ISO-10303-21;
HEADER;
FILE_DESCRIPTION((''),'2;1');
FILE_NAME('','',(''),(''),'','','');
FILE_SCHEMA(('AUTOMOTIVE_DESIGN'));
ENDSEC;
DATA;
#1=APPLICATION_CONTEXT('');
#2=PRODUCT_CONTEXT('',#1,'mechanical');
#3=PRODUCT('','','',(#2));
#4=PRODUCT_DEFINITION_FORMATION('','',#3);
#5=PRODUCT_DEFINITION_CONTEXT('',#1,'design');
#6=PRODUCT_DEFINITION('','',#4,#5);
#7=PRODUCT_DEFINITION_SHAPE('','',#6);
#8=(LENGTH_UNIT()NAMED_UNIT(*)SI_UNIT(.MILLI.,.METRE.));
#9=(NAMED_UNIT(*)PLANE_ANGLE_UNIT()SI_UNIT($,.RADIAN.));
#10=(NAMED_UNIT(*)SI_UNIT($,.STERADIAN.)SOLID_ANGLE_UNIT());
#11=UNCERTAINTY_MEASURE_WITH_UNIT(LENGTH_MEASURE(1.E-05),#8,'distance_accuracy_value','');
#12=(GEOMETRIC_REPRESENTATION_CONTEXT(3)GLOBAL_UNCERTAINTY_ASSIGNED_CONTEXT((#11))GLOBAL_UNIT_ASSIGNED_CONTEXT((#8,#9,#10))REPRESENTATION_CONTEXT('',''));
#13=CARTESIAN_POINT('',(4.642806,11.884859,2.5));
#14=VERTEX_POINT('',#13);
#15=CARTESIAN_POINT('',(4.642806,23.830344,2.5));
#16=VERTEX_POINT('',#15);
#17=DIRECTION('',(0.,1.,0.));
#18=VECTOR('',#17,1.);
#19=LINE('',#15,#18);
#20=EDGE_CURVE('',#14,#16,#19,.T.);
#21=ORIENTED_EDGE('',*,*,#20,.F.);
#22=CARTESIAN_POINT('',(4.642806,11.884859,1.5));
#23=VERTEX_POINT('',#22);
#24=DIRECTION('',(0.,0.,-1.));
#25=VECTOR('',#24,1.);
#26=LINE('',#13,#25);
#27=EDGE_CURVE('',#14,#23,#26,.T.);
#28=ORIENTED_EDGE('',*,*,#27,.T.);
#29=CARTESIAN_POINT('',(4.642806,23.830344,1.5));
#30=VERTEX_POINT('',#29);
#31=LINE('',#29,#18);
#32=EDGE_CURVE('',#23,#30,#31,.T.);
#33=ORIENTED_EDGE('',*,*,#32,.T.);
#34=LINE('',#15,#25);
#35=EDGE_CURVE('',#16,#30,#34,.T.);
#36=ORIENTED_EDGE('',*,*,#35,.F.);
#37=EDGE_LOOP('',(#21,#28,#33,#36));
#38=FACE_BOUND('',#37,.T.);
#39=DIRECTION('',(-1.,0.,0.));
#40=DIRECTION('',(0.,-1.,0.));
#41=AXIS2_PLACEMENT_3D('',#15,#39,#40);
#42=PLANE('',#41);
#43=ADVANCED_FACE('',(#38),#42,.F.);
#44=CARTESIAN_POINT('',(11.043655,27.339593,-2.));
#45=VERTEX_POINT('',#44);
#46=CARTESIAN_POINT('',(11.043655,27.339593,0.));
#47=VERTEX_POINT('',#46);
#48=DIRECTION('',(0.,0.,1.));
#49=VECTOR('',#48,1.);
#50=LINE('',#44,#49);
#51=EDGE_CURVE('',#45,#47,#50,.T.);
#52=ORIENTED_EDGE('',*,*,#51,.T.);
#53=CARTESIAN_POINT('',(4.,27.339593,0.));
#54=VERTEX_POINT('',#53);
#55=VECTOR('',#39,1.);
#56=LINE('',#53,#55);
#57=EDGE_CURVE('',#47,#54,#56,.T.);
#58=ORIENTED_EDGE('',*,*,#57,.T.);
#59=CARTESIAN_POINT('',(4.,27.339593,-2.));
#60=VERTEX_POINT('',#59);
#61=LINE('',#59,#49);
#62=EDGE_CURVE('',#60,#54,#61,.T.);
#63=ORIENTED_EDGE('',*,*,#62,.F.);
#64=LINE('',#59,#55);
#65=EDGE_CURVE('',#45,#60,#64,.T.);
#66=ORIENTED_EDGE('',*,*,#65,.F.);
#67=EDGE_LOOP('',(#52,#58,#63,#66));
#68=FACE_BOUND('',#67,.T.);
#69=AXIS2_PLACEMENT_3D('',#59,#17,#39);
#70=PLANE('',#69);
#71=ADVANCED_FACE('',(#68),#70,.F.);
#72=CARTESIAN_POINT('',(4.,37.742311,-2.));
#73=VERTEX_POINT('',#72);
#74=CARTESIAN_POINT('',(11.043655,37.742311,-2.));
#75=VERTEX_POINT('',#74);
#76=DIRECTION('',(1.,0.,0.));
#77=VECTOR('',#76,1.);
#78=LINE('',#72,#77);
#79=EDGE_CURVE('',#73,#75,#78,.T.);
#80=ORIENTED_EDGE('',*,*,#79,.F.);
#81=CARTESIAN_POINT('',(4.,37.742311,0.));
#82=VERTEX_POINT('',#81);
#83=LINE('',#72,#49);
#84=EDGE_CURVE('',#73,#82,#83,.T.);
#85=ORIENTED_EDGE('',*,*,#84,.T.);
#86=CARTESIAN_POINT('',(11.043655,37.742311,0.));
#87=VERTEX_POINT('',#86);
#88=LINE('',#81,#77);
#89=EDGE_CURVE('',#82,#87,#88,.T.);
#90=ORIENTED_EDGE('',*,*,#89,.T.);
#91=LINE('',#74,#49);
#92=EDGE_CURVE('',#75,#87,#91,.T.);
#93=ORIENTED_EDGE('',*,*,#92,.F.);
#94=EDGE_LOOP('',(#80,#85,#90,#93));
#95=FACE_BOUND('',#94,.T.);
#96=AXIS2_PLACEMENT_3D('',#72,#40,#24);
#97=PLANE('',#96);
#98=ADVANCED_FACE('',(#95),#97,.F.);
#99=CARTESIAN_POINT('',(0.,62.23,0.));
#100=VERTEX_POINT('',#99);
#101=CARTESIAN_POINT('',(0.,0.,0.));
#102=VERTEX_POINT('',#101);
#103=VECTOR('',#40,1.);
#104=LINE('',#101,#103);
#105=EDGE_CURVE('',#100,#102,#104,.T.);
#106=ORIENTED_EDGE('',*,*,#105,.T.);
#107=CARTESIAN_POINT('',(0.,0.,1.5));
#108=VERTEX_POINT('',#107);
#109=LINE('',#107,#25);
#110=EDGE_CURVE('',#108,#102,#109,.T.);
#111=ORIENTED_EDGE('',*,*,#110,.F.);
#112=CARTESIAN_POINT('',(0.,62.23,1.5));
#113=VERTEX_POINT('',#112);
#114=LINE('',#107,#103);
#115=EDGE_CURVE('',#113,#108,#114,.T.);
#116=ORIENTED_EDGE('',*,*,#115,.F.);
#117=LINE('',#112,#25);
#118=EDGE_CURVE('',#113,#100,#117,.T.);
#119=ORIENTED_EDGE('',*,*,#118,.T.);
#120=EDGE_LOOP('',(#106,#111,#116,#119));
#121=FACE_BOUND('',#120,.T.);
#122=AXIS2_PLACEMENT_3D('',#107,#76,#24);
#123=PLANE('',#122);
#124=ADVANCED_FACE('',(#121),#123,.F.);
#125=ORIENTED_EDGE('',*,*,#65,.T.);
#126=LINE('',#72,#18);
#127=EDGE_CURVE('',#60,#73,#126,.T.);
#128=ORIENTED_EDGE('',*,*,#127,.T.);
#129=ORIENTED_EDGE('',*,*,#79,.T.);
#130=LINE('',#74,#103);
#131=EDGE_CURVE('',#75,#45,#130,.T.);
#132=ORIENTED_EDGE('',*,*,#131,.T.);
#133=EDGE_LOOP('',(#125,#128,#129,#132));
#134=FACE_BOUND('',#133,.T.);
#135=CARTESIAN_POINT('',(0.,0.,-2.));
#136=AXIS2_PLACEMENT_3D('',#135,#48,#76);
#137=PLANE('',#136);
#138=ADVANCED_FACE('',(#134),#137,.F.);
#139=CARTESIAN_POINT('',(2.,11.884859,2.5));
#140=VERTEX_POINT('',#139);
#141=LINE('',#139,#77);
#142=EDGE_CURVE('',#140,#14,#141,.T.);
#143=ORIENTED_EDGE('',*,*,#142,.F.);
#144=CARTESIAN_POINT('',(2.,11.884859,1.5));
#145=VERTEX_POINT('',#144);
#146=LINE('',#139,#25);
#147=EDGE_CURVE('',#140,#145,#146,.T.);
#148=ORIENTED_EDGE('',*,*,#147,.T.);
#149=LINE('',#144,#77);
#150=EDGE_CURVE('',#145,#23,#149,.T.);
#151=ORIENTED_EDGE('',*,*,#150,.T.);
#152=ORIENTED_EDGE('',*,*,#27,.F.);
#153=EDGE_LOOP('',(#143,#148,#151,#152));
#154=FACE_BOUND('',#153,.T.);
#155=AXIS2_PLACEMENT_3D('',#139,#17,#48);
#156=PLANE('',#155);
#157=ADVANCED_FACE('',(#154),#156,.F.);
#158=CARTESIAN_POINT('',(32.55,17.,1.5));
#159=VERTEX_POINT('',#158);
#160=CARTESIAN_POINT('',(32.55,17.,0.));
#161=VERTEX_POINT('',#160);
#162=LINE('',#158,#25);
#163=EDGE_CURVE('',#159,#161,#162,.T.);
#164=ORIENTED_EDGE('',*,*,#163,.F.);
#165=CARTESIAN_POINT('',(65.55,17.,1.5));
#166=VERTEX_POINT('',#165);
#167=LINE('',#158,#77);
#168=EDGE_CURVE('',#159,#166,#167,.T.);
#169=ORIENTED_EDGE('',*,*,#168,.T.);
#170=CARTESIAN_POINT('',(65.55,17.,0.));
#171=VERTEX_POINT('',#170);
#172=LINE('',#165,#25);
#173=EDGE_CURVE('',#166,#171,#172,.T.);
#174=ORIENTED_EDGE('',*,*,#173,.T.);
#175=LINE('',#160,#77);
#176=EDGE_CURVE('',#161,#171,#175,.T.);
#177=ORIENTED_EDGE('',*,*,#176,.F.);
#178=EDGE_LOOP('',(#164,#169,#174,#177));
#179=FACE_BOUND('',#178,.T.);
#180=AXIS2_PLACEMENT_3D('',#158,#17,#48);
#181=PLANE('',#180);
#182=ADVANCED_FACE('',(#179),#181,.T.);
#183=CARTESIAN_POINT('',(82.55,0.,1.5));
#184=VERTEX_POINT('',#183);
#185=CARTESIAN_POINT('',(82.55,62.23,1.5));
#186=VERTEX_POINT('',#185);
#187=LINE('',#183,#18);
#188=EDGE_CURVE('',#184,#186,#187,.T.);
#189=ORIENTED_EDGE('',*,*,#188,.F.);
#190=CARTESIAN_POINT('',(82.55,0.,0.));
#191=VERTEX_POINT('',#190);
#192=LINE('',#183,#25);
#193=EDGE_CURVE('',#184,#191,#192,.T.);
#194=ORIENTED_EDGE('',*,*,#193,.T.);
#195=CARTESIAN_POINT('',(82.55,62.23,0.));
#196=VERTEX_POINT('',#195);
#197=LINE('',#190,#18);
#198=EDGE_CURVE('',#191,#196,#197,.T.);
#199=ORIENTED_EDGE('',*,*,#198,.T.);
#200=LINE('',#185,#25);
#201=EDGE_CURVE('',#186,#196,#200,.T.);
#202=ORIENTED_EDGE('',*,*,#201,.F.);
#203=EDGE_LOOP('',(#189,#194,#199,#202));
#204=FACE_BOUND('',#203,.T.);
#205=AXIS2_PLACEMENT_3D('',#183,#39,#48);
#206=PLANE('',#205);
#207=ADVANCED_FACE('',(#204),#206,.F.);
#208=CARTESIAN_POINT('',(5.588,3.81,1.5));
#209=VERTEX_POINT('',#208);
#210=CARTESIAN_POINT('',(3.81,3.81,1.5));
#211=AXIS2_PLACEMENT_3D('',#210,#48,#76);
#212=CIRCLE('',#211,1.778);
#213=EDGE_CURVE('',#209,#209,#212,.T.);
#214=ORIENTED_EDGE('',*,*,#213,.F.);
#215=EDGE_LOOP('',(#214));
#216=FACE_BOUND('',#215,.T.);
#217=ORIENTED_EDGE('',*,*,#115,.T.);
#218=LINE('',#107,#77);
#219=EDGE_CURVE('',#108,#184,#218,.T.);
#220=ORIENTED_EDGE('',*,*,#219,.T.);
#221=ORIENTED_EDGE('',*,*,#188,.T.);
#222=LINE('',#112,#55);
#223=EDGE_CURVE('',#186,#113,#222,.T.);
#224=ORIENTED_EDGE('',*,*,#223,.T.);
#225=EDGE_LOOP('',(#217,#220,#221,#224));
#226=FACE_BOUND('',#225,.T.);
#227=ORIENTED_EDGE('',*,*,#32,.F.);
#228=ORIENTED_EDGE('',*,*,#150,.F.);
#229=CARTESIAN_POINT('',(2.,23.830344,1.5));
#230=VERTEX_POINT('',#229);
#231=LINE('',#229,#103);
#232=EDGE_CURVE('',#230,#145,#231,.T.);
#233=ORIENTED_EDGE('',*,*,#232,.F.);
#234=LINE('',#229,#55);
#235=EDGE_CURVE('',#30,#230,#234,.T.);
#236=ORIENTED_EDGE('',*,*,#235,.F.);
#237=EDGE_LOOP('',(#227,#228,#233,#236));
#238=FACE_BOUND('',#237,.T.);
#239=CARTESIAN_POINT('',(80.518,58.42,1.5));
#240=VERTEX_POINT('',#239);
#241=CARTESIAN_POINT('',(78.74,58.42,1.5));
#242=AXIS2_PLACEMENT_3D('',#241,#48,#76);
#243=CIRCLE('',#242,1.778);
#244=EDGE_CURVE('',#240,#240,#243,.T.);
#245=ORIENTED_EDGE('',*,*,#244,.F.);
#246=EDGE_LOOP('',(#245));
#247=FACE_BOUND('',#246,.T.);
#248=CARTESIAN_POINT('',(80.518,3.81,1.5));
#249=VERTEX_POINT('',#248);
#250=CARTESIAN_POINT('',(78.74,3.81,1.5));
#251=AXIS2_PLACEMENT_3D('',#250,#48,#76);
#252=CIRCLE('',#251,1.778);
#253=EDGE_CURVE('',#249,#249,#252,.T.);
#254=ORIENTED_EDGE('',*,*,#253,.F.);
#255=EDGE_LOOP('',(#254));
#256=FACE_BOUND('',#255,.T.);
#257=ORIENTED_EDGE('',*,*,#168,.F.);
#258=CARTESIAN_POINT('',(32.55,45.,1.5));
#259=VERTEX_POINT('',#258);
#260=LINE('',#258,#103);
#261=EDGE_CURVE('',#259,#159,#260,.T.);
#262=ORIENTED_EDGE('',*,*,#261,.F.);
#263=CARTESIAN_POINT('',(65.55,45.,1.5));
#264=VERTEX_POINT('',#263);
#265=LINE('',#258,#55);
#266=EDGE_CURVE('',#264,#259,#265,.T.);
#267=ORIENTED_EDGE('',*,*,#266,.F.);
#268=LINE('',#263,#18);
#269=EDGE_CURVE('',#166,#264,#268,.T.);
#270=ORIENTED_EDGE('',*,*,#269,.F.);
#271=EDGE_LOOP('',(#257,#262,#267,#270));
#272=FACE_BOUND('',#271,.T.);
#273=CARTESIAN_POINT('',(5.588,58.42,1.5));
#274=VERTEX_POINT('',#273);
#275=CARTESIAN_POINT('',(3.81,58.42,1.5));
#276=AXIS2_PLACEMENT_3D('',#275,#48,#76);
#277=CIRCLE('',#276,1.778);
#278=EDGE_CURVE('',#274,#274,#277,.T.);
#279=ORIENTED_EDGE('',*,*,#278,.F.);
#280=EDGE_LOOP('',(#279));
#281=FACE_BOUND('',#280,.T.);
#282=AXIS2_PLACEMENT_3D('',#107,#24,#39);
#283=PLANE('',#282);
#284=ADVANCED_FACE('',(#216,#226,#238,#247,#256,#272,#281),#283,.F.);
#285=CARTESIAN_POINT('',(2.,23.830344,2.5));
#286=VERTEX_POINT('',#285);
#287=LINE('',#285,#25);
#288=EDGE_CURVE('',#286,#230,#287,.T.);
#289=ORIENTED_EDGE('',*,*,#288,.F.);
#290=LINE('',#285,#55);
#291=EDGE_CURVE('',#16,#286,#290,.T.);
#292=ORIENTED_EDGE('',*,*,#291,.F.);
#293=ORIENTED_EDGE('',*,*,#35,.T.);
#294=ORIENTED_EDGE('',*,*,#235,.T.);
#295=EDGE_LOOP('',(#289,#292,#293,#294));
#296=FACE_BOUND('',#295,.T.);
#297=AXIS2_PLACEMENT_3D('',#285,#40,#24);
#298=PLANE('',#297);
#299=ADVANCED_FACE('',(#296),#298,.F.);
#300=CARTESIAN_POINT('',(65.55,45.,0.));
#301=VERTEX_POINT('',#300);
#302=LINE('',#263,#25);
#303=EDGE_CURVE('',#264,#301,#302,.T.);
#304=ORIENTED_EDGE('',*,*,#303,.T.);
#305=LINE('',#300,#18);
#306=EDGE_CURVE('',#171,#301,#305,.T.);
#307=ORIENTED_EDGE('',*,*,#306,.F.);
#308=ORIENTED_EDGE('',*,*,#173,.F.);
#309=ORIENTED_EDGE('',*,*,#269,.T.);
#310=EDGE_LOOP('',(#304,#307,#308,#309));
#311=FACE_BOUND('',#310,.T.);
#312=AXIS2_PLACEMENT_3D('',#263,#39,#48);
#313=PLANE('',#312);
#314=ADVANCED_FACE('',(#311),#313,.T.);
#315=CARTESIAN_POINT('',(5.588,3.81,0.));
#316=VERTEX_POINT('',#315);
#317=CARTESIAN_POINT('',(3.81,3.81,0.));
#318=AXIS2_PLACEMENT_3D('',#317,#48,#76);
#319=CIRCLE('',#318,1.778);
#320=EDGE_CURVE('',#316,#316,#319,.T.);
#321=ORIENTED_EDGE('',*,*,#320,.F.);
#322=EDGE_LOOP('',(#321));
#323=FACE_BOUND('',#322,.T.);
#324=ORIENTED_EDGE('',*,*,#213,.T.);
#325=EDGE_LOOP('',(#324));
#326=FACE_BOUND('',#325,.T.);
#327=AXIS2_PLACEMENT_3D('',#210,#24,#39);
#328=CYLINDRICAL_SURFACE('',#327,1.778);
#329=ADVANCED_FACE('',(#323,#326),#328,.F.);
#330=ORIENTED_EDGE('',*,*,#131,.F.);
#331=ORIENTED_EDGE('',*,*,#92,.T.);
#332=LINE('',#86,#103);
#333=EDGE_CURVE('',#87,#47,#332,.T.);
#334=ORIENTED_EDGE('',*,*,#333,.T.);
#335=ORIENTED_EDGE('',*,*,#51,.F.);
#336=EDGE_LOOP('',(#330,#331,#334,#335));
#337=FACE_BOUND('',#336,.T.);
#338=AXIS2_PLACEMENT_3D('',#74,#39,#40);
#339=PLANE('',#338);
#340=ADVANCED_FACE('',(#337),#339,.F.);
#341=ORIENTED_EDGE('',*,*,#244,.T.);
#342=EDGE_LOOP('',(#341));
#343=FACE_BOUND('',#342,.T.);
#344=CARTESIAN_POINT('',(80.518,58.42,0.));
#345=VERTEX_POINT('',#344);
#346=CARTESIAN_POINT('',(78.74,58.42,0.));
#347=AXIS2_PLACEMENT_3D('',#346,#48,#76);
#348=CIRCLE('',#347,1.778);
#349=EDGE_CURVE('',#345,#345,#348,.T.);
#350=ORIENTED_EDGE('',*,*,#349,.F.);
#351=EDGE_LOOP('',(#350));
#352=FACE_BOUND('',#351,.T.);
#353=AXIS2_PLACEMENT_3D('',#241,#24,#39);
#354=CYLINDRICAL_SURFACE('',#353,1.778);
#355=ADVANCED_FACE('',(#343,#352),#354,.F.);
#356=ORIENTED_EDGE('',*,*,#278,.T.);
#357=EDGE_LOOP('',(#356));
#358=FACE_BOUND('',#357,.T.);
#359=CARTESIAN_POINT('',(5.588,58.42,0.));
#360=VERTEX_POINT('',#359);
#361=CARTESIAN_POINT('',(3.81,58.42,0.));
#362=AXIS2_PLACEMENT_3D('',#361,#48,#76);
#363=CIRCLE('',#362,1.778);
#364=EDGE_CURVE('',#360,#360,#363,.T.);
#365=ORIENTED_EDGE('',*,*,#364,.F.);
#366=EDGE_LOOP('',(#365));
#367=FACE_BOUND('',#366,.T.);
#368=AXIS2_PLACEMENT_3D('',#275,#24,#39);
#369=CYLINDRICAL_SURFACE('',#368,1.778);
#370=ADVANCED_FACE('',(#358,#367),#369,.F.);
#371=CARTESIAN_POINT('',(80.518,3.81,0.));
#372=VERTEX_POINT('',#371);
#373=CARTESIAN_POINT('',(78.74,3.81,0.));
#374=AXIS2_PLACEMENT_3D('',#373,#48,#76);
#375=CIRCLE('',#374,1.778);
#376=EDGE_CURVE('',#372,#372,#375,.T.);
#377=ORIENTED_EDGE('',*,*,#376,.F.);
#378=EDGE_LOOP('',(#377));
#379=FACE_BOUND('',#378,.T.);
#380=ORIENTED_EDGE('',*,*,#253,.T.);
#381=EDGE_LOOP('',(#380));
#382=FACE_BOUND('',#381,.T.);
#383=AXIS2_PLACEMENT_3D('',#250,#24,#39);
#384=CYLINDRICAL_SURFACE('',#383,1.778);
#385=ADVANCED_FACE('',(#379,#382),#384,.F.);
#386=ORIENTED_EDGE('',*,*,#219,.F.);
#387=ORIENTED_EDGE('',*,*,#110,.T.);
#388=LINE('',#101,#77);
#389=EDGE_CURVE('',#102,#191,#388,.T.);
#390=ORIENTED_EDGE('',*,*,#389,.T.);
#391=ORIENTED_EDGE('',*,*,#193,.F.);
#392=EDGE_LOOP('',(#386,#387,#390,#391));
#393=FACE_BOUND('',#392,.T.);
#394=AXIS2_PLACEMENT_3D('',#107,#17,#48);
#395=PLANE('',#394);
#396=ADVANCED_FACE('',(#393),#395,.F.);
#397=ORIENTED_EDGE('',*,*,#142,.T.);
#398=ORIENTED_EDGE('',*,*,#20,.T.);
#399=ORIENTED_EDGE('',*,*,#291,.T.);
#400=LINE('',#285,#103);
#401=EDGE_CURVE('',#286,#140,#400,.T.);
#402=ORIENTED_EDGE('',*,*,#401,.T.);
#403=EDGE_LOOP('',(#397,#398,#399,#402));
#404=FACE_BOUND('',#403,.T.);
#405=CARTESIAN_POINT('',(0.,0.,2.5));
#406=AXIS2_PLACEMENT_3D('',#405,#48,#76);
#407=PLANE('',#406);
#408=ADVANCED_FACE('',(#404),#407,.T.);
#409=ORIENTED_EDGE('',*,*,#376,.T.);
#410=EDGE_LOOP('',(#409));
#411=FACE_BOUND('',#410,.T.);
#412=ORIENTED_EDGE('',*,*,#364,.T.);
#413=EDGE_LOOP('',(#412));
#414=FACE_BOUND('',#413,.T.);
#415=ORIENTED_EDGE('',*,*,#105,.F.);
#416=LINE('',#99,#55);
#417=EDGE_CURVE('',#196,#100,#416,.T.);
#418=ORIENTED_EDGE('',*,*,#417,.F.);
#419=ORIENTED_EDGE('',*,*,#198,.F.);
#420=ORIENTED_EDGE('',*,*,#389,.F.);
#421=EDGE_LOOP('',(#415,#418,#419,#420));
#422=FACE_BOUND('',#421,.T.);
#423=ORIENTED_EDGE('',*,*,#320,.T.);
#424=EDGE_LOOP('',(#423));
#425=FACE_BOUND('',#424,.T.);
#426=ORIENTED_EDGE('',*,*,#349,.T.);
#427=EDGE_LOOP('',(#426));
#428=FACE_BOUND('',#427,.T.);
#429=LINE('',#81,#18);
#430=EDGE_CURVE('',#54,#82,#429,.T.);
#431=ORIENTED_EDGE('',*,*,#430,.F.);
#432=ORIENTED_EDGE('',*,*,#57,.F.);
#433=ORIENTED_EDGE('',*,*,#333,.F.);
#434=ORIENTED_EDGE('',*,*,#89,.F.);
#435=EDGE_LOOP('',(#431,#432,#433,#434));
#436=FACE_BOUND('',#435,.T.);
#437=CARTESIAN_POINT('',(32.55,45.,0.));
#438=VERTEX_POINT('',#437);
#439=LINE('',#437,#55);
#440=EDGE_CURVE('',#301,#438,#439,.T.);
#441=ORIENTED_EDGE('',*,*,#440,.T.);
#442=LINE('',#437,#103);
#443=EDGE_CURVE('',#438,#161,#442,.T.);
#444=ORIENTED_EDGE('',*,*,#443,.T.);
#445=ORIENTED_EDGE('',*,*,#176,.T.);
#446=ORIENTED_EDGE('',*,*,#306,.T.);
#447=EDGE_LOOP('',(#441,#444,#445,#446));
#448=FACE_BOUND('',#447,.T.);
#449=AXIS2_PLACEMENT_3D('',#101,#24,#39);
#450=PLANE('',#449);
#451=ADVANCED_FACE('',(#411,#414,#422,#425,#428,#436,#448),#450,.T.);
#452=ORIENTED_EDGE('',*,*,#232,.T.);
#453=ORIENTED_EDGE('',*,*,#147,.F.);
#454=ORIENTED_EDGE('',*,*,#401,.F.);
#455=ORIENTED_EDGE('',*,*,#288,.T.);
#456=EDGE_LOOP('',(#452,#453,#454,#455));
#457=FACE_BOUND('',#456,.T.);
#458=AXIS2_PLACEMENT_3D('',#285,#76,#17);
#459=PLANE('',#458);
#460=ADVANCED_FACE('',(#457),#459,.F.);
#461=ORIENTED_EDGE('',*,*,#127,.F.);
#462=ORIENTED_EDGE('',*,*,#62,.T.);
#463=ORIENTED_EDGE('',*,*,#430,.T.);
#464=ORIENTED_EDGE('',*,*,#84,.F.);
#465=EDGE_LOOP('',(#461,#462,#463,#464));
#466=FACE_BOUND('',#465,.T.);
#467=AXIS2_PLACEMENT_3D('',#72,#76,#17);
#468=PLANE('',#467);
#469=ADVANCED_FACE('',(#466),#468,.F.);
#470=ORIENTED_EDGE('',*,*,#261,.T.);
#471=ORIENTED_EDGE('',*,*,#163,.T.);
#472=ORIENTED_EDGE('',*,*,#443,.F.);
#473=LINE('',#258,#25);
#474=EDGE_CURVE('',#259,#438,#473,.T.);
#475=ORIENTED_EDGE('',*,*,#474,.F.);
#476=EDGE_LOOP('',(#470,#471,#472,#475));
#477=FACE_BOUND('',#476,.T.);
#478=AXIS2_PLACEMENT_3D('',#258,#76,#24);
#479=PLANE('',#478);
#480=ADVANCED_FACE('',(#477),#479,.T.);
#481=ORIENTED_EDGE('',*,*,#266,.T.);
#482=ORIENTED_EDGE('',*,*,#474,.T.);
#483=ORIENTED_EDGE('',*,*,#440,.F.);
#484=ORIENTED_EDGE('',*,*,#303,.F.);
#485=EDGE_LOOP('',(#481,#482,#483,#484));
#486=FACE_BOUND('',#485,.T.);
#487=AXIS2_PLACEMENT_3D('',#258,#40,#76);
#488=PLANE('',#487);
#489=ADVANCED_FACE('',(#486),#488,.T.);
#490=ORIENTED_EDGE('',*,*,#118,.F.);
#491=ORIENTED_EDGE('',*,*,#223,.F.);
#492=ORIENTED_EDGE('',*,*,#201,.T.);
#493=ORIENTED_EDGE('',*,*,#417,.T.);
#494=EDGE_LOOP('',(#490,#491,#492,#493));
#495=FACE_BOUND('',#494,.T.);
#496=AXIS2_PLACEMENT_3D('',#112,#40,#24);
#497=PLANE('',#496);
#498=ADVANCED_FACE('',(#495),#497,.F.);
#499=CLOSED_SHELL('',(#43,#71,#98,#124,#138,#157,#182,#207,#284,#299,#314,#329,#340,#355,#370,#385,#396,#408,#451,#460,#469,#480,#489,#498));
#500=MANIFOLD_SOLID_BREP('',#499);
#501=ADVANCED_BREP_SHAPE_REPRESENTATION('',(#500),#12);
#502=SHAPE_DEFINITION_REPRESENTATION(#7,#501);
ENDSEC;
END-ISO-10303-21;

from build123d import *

# Parameters (mm, degrees)
SKETCH1_W           = 82.55
SKETCH1_H           = 62.23
SKETCH1_R           = 1.778
SKETCH1_W_2         = 33
SKETCH1_H_2         = 28
BOSS_EXTRUDE1_DEPTH = 1.5
SKETCH2_W           = 2.642806411
SKETCH2_H           = 11.945484976
BOSS_EXTRUDE2_DEPTH = 1
SKETCH3_W           = 7.043654848
SKETCH3_H           = 10.402717652
BOSS_EXTRUDE3_DEPTH = 2


with BuildPart() as part:
    # Sketch1 → Boss-Extrude1 (new body)
    with BuildSketch(Plane.XY):
        with Locations((41.275, 31.115)):
            Rectangle(SKETCH1_W, SKETCH1_H)
        with Locations((3.81, 58.42)):
            Circle(SKETCH1_R, mode=Mode.SUBTRACT)
        with Locations((78.74, 58.42)):
            Circle(SKETCH1_R, mode=Mode.SUBTRACT)
        with Locations((78.74, 3.81)):
            Circle(SKETCH1_R, mode=Mode.SUBTRACT)
        with Locations((3.81, 3.81)):
            Circle(SKETCH1_R, mode=Mode.SUBTRACT)
        with Locations((49.05, 31)):
            Rectangle(SKETCH1_W_2, SKETCH1_H_2, mode=Mode.SUBTRACT)
    extrude(amount=BOSS_EXTRUDE1_DEPTH)

    # Sketch2 → Boss-Extrude2 (add)
    with BuildSketch(Plane.XY.offset(1.5)):
        with Locations((3.321403206, 17.857601098)):
            Rectangle(SKETCH2_W, SKETCH2_H)
    extrude(amount=BOSS_EXTRUDE2_DEPTH)

    # Sketch3 → Boss-Extrude3 (add)
    with BuildSketch(Plane(origin=(0, 0, 0), x_dir=(-1, 0, 0), z_dir=(0, 0, -1))):
        with Locations((-7.521827424, 32.54095227)):
            Rectangle(SKETCH3_W, SKETCH3_H)
    extrude(amount=BOSS_EXTRUDE3_DEPTH)


solid = part.part
